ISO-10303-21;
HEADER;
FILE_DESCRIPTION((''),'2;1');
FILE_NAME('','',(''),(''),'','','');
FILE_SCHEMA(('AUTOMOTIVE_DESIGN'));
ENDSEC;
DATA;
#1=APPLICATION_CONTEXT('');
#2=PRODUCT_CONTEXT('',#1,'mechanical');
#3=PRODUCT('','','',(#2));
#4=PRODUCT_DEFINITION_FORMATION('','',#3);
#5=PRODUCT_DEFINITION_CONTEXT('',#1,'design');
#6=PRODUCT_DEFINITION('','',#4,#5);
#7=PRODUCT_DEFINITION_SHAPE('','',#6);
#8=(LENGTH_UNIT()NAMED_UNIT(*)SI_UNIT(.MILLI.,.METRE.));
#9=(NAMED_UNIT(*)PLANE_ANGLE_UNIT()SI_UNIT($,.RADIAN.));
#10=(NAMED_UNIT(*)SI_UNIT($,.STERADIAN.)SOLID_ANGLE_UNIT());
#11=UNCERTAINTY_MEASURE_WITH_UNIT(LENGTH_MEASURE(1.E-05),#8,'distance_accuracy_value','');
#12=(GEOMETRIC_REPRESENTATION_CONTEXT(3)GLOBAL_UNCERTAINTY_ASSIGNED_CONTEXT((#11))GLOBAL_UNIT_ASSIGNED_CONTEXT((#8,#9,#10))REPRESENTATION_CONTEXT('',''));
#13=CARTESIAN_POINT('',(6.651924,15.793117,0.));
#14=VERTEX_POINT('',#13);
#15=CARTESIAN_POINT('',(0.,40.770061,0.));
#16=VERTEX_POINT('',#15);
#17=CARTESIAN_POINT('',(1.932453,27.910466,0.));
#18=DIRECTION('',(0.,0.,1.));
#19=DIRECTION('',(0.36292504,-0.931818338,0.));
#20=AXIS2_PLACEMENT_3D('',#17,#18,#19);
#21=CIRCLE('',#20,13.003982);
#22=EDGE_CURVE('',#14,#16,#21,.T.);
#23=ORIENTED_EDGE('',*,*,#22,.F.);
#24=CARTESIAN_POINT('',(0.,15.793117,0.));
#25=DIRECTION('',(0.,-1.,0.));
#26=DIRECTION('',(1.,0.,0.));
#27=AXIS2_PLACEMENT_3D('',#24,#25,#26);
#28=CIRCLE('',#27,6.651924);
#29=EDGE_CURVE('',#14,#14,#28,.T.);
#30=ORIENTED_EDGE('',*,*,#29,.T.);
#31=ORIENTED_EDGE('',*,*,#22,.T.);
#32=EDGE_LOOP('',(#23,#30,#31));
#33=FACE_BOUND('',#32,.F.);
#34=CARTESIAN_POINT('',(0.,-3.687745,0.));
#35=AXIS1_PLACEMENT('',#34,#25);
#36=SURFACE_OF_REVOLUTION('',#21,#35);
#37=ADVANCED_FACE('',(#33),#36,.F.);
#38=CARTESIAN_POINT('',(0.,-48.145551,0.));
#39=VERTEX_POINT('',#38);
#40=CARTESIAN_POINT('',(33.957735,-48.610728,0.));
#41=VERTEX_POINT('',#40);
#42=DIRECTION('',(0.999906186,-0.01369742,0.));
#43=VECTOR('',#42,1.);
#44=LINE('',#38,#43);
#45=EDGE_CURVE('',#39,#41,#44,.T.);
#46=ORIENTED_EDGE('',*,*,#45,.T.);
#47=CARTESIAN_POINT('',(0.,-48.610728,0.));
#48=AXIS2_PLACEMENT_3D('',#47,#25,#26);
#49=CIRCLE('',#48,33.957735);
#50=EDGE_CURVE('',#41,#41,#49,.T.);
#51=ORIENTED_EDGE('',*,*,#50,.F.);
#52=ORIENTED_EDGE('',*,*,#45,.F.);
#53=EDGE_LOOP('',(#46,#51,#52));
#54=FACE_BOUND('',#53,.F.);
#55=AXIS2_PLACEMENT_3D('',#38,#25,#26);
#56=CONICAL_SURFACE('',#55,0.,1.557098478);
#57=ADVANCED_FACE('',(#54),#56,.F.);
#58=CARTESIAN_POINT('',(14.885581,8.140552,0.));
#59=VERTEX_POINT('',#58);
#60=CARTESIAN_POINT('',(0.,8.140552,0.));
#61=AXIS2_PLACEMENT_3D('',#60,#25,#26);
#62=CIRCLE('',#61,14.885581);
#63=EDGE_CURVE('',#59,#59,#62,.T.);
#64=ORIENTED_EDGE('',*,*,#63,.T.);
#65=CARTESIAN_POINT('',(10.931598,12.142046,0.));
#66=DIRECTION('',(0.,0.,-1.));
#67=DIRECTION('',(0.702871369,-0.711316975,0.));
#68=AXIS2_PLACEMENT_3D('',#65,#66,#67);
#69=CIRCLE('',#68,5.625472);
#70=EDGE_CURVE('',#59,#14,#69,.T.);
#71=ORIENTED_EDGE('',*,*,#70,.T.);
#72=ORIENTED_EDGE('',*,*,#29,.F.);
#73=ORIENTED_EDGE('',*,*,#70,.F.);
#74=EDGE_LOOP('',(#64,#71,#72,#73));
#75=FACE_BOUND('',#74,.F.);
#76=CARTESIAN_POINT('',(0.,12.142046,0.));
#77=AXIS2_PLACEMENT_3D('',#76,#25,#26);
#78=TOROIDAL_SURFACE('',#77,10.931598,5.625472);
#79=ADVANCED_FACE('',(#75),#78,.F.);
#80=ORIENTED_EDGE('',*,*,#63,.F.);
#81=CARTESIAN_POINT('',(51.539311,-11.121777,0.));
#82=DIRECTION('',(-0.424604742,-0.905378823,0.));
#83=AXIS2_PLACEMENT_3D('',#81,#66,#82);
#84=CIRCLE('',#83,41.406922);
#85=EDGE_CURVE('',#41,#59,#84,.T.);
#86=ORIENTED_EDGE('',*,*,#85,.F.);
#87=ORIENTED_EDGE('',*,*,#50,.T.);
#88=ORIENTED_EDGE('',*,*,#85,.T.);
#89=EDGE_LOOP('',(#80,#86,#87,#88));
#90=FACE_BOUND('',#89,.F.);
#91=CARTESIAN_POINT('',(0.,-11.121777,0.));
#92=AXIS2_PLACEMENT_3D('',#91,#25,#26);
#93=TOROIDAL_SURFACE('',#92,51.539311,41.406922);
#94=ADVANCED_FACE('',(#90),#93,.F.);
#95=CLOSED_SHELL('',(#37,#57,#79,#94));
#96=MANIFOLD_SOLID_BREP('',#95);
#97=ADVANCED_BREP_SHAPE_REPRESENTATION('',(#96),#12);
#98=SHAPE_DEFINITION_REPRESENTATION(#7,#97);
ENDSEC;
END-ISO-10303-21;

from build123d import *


with BuildPart() as f1:
    # F0 (on Top) → F1 (revolve)
    with BuildSketch(Plane.XY):
        with BuildLine():
            ThreePointArc((6.651924, 15.793117), (14.498431, 31.25707), (0, 40.770061))
            Line((0, 40.770061), (0, 15.050871))
            ThreePointArc((0, 15.050871), (3.374534, 14.986691), (6.651924, 15.793117))
        make_face()
        with BuildLine():
            ThreePointArc((6.651924, 15.793117), (3.374534, 14.986691), (0, 15.050871))
            Line((0, 15.050871), (0, -48.145551))
            Line((0, -48.145551), (33.957735, -48.610728))
            ThreePointArc((33.957735, -48.610728), (12.289546, -24.312274), (14.885581, 8.140552))
            ThreePointArc((14.885581, 8.140552), (7.101852, 8.02149), (6.651924, 15.793117))
        make_face()
    revolve(axis=Axis((0, -3.687745, 0), (0, -1, 0)))


solid = f1.part
